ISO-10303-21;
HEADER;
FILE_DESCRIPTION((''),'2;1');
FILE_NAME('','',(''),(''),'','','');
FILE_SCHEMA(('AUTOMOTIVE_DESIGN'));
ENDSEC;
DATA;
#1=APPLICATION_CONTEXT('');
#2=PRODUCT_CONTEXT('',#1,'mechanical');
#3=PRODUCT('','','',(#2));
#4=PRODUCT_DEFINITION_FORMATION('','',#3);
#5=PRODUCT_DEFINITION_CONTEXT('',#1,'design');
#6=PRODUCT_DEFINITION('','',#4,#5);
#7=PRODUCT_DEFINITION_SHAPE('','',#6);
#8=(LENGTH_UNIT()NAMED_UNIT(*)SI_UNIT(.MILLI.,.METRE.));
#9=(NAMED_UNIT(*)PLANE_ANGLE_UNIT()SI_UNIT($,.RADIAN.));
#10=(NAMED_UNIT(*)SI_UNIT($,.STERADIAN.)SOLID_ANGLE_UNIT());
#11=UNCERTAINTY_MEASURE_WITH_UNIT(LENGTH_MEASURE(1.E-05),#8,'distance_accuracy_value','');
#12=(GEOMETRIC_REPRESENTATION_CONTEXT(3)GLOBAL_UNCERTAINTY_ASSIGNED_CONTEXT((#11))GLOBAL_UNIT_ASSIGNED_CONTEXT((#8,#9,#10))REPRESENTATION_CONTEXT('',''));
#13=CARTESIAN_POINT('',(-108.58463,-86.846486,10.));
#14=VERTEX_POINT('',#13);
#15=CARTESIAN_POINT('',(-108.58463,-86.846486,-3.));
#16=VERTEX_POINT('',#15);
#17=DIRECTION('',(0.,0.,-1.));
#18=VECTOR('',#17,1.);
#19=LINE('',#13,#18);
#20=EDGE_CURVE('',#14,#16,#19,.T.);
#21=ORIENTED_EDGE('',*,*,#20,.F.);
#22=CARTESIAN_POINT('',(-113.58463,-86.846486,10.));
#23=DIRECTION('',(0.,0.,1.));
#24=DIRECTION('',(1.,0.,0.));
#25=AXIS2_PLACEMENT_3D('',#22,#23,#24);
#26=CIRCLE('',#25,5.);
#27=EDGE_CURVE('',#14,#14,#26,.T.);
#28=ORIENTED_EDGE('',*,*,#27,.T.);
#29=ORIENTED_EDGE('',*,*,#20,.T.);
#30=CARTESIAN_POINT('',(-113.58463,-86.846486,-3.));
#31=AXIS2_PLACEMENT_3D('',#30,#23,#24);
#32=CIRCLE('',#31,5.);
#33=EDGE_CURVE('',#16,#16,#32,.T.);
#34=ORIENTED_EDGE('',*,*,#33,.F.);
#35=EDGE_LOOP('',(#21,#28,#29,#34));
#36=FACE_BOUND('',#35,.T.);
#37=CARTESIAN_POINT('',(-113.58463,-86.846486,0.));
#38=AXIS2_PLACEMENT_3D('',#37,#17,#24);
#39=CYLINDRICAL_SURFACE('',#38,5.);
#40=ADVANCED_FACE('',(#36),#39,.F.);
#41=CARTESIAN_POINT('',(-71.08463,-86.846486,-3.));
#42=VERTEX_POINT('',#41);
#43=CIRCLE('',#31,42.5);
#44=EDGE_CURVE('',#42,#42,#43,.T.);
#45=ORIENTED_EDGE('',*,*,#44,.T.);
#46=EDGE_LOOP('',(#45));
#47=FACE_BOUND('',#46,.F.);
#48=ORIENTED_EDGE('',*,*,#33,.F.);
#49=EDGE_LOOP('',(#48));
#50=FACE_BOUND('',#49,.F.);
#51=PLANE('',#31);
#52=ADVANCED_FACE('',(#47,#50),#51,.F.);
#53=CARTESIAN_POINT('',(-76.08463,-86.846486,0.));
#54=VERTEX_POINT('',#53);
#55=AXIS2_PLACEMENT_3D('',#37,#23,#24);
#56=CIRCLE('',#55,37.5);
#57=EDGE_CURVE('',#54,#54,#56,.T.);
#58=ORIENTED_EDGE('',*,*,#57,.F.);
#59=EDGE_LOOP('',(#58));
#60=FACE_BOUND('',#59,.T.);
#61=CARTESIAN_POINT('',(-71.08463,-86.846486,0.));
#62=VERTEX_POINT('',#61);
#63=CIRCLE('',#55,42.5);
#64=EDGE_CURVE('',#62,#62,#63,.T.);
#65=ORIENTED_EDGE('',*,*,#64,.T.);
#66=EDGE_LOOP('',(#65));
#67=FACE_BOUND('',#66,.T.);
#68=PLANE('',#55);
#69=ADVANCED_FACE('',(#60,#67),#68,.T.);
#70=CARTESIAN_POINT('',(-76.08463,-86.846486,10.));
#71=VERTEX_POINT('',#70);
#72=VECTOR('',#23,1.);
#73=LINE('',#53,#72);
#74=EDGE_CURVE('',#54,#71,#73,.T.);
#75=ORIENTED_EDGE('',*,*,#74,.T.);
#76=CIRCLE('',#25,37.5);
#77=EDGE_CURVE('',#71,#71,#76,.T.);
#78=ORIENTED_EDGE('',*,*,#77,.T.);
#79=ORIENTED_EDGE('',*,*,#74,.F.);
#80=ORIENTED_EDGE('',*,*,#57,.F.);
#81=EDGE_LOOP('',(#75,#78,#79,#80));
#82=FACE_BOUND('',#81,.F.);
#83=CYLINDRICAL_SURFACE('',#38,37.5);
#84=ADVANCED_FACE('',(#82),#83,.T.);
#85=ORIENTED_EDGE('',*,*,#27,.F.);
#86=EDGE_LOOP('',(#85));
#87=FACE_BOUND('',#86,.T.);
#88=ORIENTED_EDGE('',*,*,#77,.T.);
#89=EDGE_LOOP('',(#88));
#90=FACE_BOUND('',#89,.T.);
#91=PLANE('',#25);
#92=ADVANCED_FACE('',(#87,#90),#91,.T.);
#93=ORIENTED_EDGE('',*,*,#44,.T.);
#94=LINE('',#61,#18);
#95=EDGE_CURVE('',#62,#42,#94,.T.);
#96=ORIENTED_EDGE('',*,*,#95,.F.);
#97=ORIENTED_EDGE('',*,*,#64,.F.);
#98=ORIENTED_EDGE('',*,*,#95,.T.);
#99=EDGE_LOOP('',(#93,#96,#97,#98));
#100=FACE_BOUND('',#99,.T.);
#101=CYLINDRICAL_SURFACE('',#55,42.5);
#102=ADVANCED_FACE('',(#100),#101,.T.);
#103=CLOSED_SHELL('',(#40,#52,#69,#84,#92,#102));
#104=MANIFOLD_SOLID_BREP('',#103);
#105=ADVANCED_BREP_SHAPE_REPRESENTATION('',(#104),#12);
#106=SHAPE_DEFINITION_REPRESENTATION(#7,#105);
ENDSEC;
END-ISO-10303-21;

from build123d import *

# Parameters (mm, degrees)
F0_R     = 42.5
F0_R_2   = 37.5
F0_R_3   = 5
F1_DEPTH = 3
F2_DEPTH = 10


with BuildPart() as f1:
    # F0 (on Top) → F1 (new body)
    with BuildSketch(Plane.XY):
        with Locations((-113.58463, -86.846486)):
            Circle(F0_R)
        with Locations((-113.58463, -86.846486)):
            Circle(F0_R_2, mode=Mode.SUBTRACT)
        with Locations((-113.58463, -86.846486)):
            Circle(F0_R_2)
        with Locations((-113.58463, -86.846486)):
            Circle(F0_R_3, mode=Mode.SUBTRACT)
    extrude(amount=-F1_DEPTH)

    # F0 (on Top) → F2 (join)
    with BuildSketch(Plane.XY):
        with Locations((-113.58463, -86.846486)):
            Circle(F0_R_2)
        with Locations((-113.58463, -86.846486)):
            Circle(F0_R_3, mode=Mode.SUBTRACT)
    extrude(amount=F2_DEPTH)


solid = f1.part
